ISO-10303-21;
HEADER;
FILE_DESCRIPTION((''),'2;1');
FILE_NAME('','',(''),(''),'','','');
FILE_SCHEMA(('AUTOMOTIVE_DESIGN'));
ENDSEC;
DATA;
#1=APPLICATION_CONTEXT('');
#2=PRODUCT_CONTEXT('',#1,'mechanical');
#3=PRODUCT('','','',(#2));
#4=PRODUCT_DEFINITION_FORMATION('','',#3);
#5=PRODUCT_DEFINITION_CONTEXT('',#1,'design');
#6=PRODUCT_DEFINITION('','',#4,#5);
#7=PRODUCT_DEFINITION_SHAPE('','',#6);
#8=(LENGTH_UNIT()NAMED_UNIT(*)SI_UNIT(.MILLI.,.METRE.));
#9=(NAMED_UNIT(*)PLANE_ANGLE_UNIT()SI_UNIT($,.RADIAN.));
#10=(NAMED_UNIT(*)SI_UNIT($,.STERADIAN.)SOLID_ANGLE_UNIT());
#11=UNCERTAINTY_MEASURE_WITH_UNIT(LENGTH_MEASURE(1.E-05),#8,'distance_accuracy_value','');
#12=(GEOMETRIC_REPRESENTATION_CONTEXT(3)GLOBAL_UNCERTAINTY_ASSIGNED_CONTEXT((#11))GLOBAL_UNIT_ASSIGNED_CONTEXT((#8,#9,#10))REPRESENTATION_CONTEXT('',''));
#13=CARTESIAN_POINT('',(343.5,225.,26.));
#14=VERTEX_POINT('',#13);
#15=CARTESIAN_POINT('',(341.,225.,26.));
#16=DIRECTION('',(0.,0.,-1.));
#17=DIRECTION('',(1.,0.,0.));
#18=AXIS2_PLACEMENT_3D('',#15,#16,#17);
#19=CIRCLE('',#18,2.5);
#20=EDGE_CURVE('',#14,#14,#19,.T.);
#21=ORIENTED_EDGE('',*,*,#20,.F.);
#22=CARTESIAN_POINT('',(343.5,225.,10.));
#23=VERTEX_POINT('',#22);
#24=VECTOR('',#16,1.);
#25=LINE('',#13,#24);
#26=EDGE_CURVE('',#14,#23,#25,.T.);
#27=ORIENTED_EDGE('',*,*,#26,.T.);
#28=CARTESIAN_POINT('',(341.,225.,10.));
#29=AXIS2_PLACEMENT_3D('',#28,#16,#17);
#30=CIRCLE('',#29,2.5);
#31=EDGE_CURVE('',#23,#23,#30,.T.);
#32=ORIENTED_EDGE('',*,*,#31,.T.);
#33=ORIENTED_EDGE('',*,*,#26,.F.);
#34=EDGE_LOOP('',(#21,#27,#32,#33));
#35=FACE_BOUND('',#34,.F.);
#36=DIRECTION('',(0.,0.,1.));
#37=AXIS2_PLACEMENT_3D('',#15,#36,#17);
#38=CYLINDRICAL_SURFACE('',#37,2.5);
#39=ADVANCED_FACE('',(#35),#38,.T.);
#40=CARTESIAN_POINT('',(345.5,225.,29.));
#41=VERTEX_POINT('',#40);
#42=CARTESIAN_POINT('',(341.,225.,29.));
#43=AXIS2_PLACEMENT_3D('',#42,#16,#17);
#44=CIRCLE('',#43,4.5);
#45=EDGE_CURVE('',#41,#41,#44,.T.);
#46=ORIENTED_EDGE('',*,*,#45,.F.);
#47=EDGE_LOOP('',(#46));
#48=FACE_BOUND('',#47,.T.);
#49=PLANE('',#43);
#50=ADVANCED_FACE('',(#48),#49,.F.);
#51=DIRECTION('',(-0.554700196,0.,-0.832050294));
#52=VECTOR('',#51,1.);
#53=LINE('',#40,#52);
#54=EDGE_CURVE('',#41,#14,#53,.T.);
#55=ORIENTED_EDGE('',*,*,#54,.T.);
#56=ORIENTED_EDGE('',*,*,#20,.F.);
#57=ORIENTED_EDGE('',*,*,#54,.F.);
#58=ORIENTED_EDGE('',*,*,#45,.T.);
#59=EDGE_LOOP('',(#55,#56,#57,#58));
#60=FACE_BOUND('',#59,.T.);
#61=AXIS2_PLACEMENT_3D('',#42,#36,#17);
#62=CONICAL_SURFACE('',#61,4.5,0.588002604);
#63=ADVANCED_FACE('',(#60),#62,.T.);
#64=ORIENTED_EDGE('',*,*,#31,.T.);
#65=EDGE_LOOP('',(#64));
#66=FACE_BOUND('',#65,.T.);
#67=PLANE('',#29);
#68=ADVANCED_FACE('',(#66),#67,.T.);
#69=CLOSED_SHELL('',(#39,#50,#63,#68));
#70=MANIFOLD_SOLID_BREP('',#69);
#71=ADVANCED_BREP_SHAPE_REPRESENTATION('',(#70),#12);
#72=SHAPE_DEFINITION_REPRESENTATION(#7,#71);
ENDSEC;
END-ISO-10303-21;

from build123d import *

# Parameters (mm, degrees)
CYLINDER011_R                   = 2.5
CYLINDER011_DEPTH               = 16
FUSION001018017_PLACEMENT_ANGLE = 180
CLONE024_PLACEMENT_ANGLE        = 180


with BuildPart() as cone003:
    # Cone003 → Cone003 (revolve)
    with BuildSketch(Plane(origin=(0, 0, -3), x_dir=(1, 0, 0), z_dir=(0, -1, 0))):
        Polygon((0, 0), (4.5, 0), (2.5, 3), (0, 3), align=None)
    revolve(axis=Axis((0, 0, -3), (0, 0, 1)))


with BuildPart() as m5x16_senkkopf018:
    # Cylinder011 → Cylinder011 (new body)
    with BuildSketch(Plane.XY):
        Circle(CYLINDER011_R)
    extrude(amount=CYLINDER011_DEPTH)

    # Fusion001018017: union Cone003
    add(cone003.part)


with BuildPart() as m5x16_senkkopf018_1:
    # Fusion001018017 placement: moved
    add(m5x16_senkkopf018.part.moved(Location((45, 15, 21))).rotate(Axis((45, 15, 21), (0, 1, 0)), FUSION001018017_PLACEMENT_ANGLE))


with BuildPart() as m5x16_senkkopf018_2:
    # Clone024 placement: moved
    add(m5x16_senkkopf018_1.part.moved(Location((90, 270, 0))).rotate(Axis((90, 270, 0), (0, 0, 1)), CLONE024_PLACEMENT_ANGLE))


with BuildPart() as m5x16_senkkopf018_3:
    # Clone032 placement: moved
    add(m5x16_senkkopf018_2.part.moved(Location((270, 0, 0))))


with BuildPart() as m5x16_senkkopf018_4:
    # Clone034 placement: moved
    add(m5x16_senkkopf018_3.part.moved(Location((26, -30, 5))))


solid = m5x16_senkkopf018_4.part
